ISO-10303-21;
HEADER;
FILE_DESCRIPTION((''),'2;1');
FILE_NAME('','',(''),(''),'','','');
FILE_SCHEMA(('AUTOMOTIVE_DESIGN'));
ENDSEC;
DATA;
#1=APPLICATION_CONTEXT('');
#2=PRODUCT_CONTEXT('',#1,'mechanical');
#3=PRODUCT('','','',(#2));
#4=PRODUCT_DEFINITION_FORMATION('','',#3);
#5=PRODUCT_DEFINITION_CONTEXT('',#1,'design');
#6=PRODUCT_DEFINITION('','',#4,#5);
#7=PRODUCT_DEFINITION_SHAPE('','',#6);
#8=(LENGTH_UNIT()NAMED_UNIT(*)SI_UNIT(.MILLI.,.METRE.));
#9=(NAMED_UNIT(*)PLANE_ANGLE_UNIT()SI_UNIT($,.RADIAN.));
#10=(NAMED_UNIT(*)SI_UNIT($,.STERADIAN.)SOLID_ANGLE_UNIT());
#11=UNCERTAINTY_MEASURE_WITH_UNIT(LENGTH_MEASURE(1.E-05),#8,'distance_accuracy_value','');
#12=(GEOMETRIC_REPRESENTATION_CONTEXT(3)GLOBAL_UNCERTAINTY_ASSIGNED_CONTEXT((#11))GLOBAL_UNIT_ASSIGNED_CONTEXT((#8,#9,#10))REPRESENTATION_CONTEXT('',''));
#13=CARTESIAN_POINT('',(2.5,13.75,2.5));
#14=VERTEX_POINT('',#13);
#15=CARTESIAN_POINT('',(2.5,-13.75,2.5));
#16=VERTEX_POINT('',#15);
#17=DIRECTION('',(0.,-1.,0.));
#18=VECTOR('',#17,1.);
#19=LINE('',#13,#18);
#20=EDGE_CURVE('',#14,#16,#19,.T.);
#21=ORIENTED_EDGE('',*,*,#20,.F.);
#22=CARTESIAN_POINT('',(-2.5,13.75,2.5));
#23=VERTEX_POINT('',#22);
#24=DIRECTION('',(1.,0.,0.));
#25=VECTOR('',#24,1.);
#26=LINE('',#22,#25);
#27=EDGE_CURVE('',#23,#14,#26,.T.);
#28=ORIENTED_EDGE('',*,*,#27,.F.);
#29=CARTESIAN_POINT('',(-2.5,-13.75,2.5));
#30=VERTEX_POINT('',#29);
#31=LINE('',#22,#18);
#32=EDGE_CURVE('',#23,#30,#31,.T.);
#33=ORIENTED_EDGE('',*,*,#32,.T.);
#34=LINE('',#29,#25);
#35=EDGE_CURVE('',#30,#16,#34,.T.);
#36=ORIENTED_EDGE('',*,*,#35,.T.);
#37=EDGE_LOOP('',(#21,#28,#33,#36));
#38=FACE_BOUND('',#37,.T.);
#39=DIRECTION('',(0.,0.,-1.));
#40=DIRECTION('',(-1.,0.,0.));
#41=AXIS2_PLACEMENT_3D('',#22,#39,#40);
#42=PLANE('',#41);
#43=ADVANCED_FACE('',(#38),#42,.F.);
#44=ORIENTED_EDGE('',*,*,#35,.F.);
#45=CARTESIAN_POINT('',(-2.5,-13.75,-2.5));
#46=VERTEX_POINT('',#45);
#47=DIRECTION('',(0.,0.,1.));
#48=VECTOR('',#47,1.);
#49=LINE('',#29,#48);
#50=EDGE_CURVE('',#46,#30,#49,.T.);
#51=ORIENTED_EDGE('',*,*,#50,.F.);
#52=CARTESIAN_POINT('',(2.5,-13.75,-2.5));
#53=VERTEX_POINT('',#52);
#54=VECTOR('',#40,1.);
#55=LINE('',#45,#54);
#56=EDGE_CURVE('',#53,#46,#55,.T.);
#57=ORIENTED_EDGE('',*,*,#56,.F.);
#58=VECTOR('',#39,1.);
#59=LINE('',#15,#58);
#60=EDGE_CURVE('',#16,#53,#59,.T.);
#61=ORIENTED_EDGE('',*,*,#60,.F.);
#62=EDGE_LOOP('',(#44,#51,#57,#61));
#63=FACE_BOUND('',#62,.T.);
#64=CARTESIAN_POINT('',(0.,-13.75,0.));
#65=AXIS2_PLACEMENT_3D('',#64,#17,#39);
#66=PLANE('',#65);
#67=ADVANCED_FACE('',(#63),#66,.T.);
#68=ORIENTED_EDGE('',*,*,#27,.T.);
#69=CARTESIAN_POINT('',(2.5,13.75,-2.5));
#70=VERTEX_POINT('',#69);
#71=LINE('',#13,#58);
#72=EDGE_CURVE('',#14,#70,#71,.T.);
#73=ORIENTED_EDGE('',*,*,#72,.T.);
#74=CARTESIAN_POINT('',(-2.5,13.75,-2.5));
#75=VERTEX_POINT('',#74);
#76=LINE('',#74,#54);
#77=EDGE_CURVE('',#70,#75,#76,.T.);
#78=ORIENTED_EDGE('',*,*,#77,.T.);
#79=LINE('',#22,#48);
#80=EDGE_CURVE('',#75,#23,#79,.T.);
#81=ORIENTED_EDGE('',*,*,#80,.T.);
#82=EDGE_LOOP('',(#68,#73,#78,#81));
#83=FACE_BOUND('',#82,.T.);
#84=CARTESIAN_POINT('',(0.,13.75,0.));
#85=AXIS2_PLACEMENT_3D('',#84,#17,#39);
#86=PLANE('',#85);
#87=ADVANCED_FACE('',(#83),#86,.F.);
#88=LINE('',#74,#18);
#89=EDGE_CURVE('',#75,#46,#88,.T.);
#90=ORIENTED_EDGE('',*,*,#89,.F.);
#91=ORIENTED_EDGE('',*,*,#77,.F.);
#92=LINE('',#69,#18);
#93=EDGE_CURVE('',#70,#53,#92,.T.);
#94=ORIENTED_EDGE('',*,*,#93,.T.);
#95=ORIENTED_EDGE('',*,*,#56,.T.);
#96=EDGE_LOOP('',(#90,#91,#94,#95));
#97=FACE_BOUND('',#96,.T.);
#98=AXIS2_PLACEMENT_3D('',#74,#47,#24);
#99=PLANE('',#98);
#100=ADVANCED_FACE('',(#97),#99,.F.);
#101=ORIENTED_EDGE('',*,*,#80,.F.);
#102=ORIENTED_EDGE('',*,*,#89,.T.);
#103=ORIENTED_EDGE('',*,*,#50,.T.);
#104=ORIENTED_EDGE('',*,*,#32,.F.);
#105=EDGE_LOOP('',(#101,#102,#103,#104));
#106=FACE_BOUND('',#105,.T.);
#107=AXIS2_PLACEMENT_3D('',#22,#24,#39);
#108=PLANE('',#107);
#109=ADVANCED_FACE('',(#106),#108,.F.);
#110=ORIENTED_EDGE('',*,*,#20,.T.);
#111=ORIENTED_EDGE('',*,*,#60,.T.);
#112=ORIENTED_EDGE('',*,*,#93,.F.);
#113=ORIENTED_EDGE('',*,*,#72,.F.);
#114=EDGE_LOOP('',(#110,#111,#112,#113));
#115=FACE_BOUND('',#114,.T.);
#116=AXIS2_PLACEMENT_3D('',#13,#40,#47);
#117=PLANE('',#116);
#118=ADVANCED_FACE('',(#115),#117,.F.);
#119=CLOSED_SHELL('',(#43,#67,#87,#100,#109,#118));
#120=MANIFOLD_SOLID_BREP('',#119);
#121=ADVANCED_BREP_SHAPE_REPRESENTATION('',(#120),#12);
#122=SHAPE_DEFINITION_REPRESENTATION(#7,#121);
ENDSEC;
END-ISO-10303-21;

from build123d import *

# Parameters (mm, degrees)
CROQUIS1_W              = 5
CROQUIS1_H              = 5
SALIENTE_EXTRUIR1_DEPTH = 13.75


with BuildPart() as part:
    # Croquis1 → Saliente-Extruir1 (new, symmetric)
    with BuildSketch(Plane(origin=(0, 0, 0), x_dir=(1, 0, 0), z_dir=(0, 1, 0))):
        Rectangle(CROQUIS1_W, CROQUIS1_H)
    extrude(amount=SALIENTE_EXTRUIR1_DEPTH, both=True)


solid = part.part
